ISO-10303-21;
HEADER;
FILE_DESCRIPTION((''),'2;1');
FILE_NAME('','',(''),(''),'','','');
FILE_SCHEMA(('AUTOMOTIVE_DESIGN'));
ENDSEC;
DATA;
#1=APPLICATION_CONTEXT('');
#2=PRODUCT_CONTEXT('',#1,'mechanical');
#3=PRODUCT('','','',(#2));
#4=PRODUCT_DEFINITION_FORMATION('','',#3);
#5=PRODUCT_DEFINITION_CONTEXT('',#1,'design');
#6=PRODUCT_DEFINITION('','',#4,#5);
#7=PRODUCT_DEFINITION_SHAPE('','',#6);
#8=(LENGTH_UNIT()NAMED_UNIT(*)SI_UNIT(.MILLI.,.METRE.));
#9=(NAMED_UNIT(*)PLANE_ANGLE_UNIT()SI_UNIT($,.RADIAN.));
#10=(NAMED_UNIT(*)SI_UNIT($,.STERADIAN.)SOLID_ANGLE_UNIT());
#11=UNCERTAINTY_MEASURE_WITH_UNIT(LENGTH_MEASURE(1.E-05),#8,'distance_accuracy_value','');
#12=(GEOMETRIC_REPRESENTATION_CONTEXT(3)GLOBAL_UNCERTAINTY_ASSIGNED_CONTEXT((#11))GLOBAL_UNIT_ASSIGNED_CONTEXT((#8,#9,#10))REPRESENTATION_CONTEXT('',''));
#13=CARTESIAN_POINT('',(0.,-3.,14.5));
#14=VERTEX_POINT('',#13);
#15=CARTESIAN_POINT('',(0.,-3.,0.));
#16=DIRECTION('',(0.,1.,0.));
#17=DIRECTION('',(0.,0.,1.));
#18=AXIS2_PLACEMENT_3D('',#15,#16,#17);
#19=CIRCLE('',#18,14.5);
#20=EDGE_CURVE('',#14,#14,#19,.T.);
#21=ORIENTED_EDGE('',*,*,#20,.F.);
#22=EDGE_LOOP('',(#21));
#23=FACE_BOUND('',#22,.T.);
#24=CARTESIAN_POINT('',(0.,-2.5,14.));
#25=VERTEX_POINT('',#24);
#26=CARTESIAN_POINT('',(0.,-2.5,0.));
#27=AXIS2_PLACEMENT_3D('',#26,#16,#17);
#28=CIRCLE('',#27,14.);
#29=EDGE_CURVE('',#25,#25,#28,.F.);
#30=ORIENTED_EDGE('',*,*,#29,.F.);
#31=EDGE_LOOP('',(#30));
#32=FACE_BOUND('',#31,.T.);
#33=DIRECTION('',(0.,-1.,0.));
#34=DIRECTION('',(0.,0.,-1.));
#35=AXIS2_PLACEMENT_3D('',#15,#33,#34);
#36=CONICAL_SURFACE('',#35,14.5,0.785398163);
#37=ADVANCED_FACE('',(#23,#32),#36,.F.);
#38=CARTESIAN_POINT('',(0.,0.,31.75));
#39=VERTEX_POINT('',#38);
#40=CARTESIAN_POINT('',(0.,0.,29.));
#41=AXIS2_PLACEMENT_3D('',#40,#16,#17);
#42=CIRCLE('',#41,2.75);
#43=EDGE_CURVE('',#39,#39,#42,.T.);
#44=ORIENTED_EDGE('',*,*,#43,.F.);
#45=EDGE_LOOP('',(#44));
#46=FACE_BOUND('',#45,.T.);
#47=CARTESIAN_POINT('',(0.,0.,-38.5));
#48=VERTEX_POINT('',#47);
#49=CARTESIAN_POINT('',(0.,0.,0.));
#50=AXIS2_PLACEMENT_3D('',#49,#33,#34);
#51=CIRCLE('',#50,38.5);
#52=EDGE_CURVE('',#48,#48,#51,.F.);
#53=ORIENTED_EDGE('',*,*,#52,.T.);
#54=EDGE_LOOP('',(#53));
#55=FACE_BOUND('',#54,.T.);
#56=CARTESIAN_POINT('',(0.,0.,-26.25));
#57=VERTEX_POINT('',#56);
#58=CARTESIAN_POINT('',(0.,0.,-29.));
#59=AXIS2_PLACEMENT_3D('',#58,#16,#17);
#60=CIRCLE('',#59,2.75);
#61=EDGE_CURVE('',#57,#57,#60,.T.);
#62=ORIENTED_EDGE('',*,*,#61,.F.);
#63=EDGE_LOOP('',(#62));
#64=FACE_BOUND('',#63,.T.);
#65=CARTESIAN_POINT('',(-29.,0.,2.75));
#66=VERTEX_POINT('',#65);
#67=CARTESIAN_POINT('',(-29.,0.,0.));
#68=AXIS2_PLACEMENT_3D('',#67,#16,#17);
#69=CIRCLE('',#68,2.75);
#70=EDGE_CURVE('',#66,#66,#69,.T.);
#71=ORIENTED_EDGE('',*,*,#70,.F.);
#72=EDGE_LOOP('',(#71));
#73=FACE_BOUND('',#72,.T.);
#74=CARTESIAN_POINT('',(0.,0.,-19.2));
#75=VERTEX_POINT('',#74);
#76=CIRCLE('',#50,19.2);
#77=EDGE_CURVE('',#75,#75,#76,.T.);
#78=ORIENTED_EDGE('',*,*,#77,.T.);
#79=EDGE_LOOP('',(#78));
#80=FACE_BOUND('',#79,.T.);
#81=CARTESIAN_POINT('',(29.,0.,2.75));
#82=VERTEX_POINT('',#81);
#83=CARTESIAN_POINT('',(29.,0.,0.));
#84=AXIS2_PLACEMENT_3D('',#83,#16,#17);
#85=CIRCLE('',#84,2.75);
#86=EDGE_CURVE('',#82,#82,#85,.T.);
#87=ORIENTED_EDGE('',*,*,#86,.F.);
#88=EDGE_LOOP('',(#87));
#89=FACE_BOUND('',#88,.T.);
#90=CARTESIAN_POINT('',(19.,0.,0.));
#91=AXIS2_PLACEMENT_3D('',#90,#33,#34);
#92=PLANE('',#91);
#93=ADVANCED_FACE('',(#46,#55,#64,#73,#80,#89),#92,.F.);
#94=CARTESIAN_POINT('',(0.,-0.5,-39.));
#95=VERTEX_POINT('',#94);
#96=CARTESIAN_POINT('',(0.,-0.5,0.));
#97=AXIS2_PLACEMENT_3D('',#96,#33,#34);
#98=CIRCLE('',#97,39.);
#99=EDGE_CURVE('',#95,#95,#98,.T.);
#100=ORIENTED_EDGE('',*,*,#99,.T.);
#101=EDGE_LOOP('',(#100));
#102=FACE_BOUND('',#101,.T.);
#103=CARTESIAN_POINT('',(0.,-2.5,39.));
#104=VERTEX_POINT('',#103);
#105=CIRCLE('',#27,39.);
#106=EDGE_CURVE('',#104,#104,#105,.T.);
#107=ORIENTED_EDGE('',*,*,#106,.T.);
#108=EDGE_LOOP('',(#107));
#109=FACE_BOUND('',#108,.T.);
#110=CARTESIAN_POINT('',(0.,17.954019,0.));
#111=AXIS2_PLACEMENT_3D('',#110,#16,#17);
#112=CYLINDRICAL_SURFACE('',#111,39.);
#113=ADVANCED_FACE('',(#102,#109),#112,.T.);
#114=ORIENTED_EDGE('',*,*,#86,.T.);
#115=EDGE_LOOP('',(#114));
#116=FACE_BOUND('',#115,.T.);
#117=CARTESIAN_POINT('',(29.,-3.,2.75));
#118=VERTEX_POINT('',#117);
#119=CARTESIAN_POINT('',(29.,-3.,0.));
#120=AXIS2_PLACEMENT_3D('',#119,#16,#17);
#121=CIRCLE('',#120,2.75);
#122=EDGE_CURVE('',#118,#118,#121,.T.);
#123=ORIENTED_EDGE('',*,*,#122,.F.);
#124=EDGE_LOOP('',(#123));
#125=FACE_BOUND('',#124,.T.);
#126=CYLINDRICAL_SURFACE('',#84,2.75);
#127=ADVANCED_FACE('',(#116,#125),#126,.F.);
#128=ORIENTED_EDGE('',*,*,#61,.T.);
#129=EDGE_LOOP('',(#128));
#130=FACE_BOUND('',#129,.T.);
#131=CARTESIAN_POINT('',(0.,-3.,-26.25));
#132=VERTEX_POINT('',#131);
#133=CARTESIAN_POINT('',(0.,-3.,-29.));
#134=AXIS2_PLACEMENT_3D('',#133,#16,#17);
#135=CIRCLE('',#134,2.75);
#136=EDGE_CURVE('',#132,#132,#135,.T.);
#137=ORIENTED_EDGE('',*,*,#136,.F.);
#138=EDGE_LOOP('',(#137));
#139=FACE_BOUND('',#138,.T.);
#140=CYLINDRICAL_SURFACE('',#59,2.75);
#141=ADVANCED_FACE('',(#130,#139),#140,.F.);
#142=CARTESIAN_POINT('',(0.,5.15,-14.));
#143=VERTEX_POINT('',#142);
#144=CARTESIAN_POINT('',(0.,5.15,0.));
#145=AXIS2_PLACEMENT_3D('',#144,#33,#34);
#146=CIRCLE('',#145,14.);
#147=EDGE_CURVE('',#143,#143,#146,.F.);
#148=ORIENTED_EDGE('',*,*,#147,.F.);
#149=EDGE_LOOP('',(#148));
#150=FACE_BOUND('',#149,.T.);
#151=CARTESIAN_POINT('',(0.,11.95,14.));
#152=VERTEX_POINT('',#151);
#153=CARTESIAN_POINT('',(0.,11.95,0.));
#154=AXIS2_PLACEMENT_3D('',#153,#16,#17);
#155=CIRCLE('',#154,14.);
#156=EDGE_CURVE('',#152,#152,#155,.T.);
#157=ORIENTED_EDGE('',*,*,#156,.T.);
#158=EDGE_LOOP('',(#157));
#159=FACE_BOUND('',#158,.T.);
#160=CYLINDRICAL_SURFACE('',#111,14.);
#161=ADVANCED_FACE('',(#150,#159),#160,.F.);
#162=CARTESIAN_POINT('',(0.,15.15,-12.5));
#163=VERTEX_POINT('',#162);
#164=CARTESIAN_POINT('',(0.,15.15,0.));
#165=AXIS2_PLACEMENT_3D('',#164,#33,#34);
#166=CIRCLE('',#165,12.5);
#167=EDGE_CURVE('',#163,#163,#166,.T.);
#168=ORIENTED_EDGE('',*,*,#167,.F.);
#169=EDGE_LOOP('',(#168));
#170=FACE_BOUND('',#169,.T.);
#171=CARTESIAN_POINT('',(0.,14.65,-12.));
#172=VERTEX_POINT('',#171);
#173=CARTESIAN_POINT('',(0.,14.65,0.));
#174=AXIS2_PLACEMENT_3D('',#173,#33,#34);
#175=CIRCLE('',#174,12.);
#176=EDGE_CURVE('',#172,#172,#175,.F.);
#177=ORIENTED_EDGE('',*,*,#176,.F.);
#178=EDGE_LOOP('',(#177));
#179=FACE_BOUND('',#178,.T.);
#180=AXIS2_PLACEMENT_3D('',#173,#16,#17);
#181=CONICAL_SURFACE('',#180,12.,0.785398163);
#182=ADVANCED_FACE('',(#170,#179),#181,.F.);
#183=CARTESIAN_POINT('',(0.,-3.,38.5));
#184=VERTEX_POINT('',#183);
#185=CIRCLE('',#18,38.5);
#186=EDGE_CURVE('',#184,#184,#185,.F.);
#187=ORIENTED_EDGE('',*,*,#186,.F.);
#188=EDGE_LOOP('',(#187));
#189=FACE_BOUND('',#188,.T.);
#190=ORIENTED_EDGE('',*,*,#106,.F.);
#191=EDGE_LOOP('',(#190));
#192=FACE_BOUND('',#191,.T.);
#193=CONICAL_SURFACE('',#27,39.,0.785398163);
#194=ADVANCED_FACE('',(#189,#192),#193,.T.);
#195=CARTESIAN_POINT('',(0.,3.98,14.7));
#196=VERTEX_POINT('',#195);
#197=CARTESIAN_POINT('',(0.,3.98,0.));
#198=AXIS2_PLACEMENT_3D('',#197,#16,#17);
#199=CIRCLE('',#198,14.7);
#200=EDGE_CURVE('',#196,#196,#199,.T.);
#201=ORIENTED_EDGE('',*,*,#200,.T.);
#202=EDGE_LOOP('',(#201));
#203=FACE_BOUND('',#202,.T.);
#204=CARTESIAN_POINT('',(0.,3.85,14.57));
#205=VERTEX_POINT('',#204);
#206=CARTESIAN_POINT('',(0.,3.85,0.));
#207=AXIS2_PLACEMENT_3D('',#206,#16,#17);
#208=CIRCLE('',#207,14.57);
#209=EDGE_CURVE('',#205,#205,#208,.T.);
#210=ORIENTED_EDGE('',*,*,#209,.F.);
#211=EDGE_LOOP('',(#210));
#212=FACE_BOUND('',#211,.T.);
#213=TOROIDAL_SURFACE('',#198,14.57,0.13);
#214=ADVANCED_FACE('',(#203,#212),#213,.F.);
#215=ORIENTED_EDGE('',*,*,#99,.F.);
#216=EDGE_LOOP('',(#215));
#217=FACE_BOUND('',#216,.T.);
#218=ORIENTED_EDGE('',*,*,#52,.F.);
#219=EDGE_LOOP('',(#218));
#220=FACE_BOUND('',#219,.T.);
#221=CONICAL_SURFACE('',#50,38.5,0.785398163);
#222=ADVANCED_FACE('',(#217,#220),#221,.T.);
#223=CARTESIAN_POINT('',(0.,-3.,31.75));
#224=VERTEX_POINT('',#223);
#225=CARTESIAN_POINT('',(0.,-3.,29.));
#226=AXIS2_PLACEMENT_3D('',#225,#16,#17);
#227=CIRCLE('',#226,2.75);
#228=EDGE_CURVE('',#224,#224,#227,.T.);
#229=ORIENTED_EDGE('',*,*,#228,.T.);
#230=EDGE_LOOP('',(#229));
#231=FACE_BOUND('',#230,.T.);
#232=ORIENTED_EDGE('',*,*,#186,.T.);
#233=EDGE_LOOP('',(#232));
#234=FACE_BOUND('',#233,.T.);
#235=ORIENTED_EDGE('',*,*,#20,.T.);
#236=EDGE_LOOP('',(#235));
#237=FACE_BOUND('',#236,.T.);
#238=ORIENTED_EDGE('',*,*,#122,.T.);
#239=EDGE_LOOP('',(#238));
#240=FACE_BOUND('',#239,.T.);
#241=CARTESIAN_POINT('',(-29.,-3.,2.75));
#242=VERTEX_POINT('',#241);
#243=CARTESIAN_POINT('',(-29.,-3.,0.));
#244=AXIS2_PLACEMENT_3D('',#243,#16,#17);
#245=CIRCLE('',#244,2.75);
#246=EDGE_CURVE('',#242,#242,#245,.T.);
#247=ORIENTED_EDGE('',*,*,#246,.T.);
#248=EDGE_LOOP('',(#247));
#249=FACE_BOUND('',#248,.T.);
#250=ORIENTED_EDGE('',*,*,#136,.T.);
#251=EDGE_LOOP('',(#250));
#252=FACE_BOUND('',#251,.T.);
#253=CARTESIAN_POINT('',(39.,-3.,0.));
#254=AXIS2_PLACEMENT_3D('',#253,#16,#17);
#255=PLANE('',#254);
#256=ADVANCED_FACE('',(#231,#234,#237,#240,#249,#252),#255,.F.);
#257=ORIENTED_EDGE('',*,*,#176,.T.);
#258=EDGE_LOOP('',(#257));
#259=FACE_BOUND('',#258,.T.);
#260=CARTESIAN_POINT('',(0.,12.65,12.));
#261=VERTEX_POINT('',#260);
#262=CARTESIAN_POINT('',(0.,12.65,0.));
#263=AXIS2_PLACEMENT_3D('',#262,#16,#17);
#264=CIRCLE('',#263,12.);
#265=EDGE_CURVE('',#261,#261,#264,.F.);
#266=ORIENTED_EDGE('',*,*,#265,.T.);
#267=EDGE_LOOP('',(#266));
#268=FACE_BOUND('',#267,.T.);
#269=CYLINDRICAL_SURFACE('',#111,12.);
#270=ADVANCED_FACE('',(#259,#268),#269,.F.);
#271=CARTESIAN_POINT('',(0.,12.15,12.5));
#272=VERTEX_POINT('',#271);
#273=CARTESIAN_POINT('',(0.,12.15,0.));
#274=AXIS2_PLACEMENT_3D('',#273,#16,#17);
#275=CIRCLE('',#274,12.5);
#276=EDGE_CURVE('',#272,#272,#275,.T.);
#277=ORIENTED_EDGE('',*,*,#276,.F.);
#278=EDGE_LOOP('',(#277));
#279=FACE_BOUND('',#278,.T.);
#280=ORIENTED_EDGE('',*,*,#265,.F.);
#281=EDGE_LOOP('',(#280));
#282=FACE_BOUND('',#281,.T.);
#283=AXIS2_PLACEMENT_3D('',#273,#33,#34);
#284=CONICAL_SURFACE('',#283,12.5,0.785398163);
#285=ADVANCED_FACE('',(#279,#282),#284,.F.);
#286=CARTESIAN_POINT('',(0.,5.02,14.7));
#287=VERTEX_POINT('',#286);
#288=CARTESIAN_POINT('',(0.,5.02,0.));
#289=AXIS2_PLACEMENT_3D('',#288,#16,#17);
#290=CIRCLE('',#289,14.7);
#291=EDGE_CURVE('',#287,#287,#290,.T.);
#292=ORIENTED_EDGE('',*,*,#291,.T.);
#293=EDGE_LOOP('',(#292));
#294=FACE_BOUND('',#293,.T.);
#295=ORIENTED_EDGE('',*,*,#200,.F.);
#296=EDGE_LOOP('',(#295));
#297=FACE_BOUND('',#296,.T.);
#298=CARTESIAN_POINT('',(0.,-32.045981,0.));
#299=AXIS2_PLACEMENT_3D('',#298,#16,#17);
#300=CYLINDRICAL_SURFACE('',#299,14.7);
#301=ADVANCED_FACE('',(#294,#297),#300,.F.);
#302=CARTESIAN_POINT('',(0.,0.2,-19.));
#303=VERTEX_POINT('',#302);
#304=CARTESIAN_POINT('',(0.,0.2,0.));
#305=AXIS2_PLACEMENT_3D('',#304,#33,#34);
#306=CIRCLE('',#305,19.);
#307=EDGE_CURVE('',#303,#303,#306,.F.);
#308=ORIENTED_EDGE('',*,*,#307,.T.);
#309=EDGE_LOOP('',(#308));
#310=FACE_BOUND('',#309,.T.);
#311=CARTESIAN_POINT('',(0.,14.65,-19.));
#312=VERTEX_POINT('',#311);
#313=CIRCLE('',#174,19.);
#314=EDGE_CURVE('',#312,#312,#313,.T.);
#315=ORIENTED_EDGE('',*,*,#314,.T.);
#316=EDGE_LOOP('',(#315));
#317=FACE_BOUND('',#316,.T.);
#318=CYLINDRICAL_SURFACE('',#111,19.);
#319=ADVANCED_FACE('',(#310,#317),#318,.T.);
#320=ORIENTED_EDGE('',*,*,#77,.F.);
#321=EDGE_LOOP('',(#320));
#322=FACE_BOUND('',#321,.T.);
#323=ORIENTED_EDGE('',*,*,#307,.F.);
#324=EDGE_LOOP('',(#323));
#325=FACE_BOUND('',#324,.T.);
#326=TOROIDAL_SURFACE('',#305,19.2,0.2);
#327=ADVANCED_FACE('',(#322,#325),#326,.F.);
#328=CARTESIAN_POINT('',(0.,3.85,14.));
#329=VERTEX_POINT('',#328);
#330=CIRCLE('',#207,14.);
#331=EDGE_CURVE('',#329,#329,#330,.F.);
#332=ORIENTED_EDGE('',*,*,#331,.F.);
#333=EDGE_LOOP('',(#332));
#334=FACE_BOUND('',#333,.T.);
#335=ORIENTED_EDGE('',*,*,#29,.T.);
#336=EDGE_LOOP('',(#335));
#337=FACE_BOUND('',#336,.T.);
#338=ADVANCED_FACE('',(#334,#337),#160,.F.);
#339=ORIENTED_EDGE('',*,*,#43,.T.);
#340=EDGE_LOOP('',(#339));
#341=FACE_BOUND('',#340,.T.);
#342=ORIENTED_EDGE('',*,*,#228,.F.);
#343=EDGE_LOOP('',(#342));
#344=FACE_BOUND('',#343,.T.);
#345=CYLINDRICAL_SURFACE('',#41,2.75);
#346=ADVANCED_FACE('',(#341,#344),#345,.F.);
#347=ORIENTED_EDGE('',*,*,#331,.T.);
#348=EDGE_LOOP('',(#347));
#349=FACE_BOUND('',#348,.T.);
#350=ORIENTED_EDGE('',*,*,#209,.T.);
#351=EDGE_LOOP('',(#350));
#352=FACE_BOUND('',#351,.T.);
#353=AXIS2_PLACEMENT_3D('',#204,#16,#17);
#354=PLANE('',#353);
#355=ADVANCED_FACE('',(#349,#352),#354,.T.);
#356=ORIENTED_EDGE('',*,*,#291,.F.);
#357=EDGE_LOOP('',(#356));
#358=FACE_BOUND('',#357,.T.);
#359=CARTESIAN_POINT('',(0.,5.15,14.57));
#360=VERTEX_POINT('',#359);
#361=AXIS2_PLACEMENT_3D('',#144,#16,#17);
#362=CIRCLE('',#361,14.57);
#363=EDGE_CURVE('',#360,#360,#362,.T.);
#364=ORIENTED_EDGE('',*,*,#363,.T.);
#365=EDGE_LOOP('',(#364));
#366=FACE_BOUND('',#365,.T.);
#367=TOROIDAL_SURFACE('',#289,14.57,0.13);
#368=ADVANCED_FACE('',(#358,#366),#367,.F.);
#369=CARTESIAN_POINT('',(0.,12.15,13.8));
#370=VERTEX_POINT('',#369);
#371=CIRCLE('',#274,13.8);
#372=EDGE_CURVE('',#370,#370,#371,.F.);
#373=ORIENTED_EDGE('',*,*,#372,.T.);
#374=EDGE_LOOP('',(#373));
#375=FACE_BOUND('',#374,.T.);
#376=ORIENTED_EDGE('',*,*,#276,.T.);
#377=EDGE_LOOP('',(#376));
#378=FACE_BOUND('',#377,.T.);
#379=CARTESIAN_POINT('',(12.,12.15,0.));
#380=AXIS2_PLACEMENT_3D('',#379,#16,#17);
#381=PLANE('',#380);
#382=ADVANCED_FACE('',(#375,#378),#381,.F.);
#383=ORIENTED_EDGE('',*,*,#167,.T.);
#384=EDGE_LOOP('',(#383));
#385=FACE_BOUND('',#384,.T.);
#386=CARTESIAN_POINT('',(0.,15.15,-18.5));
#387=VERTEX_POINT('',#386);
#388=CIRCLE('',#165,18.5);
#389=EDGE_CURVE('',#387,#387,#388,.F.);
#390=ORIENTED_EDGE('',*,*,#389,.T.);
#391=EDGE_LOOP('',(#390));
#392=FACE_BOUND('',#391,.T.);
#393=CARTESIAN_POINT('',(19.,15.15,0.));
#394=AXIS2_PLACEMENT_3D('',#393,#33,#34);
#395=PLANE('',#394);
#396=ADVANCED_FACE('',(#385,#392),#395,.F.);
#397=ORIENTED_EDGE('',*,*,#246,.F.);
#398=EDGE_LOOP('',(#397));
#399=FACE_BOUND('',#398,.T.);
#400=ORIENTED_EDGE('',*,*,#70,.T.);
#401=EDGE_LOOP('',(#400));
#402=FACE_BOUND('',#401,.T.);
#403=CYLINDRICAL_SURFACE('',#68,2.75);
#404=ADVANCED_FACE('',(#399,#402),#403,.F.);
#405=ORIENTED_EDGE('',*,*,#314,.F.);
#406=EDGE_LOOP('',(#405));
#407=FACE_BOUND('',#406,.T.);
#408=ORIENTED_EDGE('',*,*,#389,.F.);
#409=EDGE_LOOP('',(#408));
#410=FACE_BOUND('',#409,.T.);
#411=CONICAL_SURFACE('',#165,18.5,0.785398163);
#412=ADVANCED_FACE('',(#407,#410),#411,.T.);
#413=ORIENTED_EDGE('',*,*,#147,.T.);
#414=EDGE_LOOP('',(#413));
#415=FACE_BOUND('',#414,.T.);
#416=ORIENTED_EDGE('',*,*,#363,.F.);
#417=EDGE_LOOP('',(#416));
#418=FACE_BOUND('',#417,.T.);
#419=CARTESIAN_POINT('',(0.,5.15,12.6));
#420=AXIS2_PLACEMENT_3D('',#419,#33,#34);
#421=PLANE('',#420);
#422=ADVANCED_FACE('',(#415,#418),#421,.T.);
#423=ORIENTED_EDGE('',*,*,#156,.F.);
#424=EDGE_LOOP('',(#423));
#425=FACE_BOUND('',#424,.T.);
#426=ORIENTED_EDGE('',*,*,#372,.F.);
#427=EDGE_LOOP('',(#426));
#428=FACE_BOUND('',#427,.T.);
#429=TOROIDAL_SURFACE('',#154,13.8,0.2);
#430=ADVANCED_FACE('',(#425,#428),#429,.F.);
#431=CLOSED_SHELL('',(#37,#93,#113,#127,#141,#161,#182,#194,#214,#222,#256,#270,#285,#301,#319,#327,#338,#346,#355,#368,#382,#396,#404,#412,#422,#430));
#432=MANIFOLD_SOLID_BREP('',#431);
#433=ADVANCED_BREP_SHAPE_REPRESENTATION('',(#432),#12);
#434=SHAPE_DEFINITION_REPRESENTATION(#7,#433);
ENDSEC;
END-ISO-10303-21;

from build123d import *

# Parameters (mm, degrees)
M5_CLEARANCE_HOLE1_D = 5.5
FILLET1_R            = 0.2
CHAMFER1_SIZE        = 0.5


with BuildPart() as part:
    # Sketch1 → Revolve1 (revolve)
    with BuildSketch(Plane.XY, mode=Mode.PRIVATE) as revolve1_sk:
        Polygon((14, -3), (14, 12.15), (12, 12.15), (12, 15.15), (19, 15.15), (19, 0), (39, 0), (39, -3), align=None)
    revolve(revolve1_sk.sketch.rotate(Axis((0, 17.954019247, 0), (0, -1, 0)), 90), axis=Axis((0, 17.954019247, 0), (0, -1, 0)))

    # M5 Clearance Hole1 (through all)
    with Locations(Plane(origin=(0, 0, 0), x_dir=(1, 0, 0), z_dir=(0, 1, 0))):
        with Locations((0, 29), (29, 0), (0, -29), (-29, 0)):
            Hole(M5_CLEARANCE_HOLE1_D / 2)

    # Fillet1
    fillet1_edges = [part.edges().sort_by_distance(p)[0] for p in [
        (0, 0, -19),
        (0, 12.15, -14),
    ]]
    fillet(fillet1_edges, radius=FILLET1_R)

    # Chamfer1
    chamfer1_edges = [part.edges().sort_by_distance(p)[0] for p in [
        (0, 12.15, -12),
        (0, 15.15, -12),
        (0, 15.15, -19),
        (0, 0, -39),
        (0, -3, -39),
        (0, -3, -14),
    ]]
    chamfer(chamfer1_edges, length=CHAMFER1_SIZE)

    # Sketch14 → Groove for BS 3673 P4 - B028M, Internal Circlip1 (revolve, cut)
    with BuildSketch(Plane(origin=(0, 17.954019247, 0), x_dir=(0, 0, 1), z_dir=(-1, 0, 0))):
        with BuildLine():
            Line((14.57, -14.104019247), (12.6, -14.104019247))
            Line((12.6, -14.104019247), (12.6, -12.804019247))
            Line((12.6, -12.804019247), (14.57, -12.804019247))
            ThreePointArc((14.57, -12.804019247), (14.661923882, -12.842095365), (14.7, -12.934019247))
            Line((14.7, -12.934019247), (14.7, -13.974019247))
            ThreePointArc((14.7, -13.974019247), (14.661923882, -14.065943128), (14.57, -14.104019247))
        make_face()
    revolve(axis=Axis((0, -32.045980753, 0), (0, 1, 0)), mode=Mode.SUBTRACT)


solid = part.part
